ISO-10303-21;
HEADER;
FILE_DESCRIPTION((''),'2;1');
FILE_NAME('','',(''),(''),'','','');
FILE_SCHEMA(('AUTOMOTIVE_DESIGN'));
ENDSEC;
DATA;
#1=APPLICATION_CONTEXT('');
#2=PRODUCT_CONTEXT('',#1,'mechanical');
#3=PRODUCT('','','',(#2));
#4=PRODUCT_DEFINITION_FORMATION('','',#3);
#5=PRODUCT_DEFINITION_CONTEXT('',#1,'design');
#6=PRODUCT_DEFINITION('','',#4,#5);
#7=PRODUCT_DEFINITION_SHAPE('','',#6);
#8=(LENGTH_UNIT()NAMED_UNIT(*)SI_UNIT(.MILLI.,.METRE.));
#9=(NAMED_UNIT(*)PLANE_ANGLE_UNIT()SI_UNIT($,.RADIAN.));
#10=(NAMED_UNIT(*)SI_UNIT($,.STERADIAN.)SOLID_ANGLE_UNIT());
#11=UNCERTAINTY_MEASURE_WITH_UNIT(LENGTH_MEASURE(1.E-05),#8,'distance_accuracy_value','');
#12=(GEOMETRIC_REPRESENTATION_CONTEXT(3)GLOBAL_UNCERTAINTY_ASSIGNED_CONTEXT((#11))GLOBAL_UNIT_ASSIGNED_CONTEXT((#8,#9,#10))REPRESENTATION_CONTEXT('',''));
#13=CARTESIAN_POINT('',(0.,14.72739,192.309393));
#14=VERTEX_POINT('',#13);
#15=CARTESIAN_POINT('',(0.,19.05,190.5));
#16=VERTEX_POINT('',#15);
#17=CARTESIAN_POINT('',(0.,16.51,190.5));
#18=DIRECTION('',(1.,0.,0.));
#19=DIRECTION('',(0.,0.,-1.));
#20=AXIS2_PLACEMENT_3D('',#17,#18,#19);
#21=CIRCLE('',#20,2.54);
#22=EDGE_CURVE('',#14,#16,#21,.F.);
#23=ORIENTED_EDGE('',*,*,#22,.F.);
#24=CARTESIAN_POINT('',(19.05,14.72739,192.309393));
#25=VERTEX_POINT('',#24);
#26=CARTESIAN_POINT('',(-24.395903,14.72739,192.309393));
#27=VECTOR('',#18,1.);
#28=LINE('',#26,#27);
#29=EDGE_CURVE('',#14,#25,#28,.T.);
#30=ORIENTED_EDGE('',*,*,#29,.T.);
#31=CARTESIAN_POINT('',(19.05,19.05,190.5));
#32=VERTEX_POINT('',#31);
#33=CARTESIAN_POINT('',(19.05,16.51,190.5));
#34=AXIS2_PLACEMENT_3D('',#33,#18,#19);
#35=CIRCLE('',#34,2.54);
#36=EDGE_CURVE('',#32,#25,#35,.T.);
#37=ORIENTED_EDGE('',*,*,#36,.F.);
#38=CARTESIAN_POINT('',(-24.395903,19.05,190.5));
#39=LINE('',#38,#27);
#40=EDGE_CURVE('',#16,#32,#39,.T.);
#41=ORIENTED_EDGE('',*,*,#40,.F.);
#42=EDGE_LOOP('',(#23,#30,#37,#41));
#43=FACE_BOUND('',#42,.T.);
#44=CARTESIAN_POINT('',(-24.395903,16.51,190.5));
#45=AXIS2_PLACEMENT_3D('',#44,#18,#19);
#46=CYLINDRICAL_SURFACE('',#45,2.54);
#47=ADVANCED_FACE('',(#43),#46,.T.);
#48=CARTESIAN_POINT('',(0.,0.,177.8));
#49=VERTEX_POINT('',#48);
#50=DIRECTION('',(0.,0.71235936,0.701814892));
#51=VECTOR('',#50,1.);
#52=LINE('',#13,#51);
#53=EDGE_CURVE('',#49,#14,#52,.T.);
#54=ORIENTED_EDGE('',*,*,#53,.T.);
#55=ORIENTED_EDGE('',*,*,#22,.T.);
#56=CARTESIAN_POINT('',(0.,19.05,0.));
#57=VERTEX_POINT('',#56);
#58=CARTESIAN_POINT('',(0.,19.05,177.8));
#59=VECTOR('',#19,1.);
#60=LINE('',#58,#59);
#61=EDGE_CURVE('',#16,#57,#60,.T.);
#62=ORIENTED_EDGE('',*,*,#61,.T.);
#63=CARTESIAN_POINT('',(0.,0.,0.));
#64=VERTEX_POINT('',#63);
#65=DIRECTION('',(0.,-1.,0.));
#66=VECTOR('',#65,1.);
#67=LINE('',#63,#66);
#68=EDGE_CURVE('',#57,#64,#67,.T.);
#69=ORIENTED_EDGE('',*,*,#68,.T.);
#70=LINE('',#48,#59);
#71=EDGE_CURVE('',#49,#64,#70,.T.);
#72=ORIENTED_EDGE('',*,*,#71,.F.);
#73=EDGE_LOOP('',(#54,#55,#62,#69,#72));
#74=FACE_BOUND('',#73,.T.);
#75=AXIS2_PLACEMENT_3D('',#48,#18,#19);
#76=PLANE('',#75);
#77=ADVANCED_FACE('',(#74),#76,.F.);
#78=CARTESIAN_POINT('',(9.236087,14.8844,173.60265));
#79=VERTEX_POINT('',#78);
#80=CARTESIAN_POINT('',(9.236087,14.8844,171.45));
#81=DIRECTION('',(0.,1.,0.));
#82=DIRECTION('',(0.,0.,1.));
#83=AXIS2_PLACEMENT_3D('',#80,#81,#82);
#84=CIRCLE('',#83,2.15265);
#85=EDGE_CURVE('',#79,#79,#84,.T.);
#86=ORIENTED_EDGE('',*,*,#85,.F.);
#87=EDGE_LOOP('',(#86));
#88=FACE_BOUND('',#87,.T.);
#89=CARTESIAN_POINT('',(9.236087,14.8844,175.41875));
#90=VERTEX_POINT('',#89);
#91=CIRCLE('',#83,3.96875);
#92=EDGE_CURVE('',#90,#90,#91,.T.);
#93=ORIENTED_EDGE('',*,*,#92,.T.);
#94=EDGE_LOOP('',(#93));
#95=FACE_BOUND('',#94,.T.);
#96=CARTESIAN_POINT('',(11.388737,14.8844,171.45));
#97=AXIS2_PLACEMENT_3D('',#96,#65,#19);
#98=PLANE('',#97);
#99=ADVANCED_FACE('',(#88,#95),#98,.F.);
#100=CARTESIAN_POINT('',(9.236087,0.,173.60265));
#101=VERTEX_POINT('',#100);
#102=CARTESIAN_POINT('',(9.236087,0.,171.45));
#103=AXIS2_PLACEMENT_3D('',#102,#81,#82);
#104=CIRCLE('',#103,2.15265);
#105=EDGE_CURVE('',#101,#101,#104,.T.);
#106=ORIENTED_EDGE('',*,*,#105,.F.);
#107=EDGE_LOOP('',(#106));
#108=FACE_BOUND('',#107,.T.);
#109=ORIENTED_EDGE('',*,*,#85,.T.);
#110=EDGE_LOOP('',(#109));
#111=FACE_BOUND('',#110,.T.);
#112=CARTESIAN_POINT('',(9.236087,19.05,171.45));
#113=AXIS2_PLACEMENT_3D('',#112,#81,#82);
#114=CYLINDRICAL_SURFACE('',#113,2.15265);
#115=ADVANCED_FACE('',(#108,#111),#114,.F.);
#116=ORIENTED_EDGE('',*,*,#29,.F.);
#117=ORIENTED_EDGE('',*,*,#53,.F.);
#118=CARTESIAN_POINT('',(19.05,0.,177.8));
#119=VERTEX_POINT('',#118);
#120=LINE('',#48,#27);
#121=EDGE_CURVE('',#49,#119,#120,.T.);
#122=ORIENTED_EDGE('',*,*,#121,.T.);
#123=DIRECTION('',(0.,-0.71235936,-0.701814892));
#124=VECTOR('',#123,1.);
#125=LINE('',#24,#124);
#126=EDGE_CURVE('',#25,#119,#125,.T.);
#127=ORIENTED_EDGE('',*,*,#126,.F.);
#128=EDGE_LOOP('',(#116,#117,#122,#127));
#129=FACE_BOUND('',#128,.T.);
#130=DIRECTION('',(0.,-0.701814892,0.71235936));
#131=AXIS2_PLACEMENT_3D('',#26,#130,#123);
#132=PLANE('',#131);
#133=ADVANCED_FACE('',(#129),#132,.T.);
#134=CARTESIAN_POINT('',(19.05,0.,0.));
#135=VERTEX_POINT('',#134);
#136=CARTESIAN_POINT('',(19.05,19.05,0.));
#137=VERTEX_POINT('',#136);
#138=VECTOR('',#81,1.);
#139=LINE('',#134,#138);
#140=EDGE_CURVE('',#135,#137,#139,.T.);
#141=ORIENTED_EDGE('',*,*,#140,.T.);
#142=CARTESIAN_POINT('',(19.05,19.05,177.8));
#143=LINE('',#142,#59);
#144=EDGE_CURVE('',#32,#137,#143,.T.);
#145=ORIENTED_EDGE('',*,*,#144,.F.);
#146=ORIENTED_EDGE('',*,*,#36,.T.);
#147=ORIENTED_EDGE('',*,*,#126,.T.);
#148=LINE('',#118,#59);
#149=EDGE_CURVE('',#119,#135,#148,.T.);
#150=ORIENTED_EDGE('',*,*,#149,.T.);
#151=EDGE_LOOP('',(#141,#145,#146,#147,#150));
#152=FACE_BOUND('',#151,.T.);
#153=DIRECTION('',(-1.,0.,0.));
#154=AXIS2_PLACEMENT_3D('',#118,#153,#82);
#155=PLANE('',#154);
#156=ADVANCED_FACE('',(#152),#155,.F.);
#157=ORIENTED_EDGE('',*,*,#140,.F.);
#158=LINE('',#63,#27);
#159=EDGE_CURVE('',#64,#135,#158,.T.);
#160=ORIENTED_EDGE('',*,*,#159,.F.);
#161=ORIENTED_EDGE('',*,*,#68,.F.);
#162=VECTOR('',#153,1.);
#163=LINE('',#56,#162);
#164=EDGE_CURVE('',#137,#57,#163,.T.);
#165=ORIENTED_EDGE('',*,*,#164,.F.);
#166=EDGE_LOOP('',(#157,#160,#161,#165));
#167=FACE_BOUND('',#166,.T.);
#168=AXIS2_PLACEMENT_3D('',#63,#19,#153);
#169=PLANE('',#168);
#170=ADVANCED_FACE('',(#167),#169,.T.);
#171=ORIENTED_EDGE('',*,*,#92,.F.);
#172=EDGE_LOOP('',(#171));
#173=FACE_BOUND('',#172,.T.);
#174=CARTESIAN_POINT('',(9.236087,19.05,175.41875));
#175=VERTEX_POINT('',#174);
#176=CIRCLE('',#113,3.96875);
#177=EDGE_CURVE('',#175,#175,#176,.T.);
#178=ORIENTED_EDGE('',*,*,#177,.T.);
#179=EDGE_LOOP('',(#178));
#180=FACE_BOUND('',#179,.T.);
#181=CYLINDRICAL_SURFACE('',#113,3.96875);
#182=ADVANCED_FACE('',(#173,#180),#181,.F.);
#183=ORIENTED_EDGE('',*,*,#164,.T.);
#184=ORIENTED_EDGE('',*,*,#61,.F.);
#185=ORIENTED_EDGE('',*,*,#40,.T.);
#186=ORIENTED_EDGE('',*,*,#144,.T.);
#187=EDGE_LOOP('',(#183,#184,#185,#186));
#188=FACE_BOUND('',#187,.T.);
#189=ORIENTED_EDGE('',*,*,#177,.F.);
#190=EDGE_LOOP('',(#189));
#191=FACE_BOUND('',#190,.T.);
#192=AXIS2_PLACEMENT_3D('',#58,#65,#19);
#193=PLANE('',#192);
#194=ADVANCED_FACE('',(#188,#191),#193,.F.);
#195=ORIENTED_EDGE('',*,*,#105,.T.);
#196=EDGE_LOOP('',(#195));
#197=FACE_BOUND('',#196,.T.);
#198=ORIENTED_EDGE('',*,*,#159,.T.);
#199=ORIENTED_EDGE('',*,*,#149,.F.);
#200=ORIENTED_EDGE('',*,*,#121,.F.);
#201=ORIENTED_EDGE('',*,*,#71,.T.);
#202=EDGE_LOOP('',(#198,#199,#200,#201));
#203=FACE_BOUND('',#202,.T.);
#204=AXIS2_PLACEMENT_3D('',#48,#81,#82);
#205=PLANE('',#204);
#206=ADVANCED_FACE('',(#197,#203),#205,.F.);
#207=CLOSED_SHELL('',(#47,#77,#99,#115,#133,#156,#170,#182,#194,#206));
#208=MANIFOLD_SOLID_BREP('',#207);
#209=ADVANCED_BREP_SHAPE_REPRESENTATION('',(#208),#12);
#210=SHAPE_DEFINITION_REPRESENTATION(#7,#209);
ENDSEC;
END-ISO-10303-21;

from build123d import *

# Parameters (mm, degrees)
SKETCH1_W                                      = 19.05
SKETCH1_H                                      = 19.05
BOSS_EXTRUDE1_DEPTH                            = 177.8
BOSS_EXTRUDE2_DEPTH                            = 19.05
CBORE_FOR_8_SOCKET_HEAD_CAP_SCREW1_D           = 4.3053
CBORE_FOR_8_SOCKET_HEAD_CAP_SCREW1_DEPTH       = 19.05
CBORE_FOR_8_SOCKET_HEAD_CAP_SCREW1_CBORE_D     = 7.9375
CBORE_FOR_8_SOCKET_HEAD_CAP_SCREW1_CBORE_DEPTH = 4.1656


with BuildPart() as part:
    # Sketch1 → Boss-Extrude1 (new body)
    with BuildSketch(Plane.XY):
        with Locations((9.525, 9.525)):
            Rectangle(SKETCH1_W, SKETCH1_H)
    extrude(amount=BOSS_EXTRUDE1_DEPTH)

    # Sketch2 → Boss-Extrude2 (add)
    with BuildSketch(Plane(origin=(19.05, 0, 0), x_dir=(0, 0, -1), z_dir=(1, 0, 0))):
        with BuildLine():
            Line((-177.8, 19.05), (-190.5, 19.05))
            ThreePointArc((-190.5, 19.05), (-192.843013973, 17.490757626), (-192.309392774, 14.727390174))
            Line((-192.309392774, 14.727390174), (-177.8, 0))
            Line((-177.8, 0), (-177.8, 19.05))
        make_face()
    extrude(amount=-BOSS_EXTRUDE2_DEPTH)

    # CBORE for #8 Socket Head Cap Screw1
    with Locations(Plane(origin=(9.23608704, 19.05, 171.45), x_dir=(0, 0, 1), z_dir=(0, 1, 0))):
        with Locations((0, 0)):
            CounterBoreHole(CBORE_FOR_8_SOCKET_HEAD_CAP_SCREW1_D / 2, CBORE_FOR_8_SOCKET_HEAD_CAP_SCREW1_CBORE_D / 2, CBORE_FOR_8_SOCKET_HEAD_CAP_SCREW1_CBORE_DEPTH, depth=CBORE_FOR_8_SOCKET_HEAD_CAP_SCREW1_DEPTH)


solid = part.part
